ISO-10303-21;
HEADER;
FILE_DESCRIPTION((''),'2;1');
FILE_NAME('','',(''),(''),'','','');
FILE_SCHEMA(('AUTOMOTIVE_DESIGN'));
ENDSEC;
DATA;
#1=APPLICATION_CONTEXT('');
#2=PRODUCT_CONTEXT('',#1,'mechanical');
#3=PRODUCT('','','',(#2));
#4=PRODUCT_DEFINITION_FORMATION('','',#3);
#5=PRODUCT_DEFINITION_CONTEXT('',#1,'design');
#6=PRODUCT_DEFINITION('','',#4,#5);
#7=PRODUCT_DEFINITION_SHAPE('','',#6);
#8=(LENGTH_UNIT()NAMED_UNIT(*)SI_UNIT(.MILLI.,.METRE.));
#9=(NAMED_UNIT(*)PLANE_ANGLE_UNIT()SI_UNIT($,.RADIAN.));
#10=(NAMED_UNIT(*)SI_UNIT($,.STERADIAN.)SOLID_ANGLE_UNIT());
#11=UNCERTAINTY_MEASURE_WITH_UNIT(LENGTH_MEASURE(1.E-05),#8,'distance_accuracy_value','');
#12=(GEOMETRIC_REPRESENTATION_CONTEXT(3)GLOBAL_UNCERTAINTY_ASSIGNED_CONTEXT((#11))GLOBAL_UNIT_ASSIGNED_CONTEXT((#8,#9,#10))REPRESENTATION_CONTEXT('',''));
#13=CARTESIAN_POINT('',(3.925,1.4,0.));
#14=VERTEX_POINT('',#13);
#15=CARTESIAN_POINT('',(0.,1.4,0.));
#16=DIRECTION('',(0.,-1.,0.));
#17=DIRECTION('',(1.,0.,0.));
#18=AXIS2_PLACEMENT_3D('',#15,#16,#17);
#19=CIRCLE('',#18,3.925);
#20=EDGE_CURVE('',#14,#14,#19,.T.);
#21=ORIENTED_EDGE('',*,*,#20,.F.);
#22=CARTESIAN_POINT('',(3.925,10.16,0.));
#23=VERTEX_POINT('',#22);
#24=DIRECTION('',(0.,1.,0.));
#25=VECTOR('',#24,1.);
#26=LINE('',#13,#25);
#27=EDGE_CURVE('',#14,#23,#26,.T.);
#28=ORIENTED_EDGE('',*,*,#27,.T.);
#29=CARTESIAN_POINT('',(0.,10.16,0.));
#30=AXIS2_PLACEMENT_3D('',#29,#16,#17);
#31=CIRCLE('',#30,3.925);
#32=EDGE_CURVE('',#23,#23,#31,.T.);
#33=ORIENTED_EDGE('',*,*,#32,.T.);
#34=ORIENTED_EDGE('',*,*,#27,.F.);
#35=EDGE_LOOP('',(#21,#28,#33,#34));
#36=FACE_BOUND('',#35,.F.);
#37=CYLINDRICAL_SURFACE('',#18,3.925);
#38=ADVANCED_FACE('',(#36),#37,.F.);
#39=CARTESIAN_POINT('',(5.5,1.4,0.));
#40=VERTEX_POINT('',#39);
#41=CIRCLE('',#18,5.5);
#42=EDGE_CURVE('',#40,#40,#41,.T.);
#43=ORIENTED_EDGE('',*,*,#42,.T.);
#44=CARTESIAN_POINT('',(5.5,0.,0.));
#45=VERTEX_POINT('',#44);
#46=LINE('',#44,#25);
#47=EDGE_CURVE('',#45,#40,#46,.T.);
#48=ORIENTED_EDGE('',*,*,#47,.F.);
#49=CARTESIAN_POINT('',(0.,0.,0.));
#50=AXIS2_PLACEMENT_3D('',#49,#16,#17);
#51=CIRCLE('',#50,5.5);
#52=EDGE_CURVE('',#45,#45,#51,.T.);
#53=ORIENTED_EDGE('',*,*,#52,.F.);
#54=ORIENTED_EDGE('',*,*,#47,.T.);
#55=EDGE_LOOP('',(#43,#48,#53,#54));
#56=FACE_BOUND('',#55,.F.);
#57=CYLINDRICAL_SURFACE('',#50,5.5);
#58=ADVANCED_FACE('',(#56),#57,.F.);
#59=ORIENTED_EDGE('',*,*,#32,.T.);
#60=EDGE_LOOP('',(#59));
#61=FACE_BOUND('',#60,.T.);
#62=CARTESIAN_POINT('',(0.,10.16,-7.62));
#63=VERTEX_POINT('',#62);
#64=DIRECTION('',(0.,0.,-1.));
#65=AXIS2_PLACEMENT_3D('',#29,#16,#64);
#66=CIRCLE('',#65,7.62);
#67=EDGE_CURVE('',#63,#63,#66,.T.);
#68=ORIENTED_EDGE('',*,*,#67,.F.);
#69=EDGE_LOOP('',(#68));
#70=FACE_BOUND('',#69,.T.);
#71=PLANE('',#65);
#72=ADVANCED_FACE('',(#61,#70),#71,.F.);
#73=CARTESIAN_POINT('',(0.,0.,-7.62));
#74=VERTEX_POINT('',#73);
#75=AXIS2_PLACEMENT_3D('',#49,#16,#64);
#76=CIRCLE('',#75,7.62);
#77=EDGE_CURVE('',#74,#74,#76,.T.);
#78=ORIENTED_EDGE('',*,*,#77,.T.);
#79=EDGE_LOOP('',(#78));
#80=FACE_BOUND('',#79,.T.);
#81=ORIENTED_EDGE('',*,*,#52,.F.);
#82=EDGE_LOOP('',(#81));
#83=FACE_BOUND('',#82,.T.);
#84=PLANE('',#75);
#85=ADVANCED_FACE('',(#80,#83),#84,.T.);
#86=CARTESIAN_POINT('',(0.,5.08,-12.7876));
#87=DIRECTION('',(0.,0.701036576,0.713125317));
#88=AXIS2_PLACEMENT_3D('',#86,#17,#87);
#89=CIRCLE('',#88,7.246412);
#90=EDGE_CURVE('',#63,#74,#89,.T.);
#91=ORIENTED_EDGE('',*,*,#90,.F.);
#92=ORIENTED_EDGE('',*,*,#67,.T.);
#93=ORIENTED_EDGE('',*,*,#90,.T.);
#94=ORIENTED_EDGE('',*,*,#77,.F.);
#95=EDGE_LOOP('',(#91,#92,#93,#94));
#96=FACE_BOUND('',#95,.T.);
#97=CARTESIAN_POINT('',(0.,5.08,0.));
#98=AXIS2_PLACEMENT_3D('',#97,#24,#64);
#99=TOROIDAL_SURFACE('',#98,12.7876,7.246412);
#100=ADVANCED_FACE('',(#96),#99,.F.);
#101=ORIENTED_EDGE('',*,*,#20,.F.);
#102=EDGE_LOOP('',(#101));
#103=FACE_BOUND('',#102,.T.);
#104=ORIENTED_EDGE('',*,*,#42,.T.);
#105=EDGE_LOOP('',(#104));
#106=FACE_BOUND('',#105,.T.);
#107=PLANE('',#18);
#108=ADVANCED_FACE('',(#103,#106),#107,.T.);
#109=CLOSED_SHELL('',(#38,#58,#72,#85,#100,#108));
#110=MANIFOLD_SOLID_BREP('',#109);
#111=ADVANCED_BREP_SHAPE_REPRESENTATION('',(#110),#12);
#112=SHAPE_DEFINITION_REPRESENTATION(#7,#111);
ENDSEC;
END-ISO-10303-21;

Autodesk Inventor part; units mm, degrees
ref_plane "YZ Plane" through (0, 0, 0) normal (1, 0, 0) x (0, 1, 0)
ref_plane "XZ Plane" through (0, 0, 0) normal (0, 1, 0) x (-1, 0, 0)
ref_plane "XY Plane" through (0, 0, 0) normal (0, 0, 1) x (1, 0, 0)
sketch "Sketch1" plane through (0, 0, 0) normal (1, 0, 0) x (0, 1, 0)
  line L0 (0, 0) -> (10.16, 0)
  line L1 (10.16, 0) -> (10.16, -7.62)
  line L2 (0, -7.62) -> (0, 0)
  arc A0 (10.16, -7.62) -> (0, -7.62) centre (5.08, -12.7876) ccw
  line L3 (10.16, 0) -> (6.0753, 0)
  line L4 (5.08, 0) -> (5.08, -12.7876) construction
  dimension "d1" = 10.16
  dimension "d2" = 7.62
revolve "Revolution1" add sketch "Sketch1" angle 360 about axis through (0, 10.16, 0) along (0, -1, 0)
sketch "Sketch2" plane through (0, 0, 0) normal (0, -1, 0) x (1, 0, 0)
  circle A0 centre (0, 0) radius 5.5
  dimension "d3" = 11
extrude "Extrusion1" cut sketch "Sketch2" against normal blind 1.4
sketch "Sketch3" plane through (0, 1.4, 0) normal (0, -1, 0) x (1, 0, 0)
  circle A0 centre (0, 0) radius 3.925
  dimension "d6" = 7.85
extrude "Extrusion2" cut sketch "Sketch3" against normal through all
properties part number "top pulley"
